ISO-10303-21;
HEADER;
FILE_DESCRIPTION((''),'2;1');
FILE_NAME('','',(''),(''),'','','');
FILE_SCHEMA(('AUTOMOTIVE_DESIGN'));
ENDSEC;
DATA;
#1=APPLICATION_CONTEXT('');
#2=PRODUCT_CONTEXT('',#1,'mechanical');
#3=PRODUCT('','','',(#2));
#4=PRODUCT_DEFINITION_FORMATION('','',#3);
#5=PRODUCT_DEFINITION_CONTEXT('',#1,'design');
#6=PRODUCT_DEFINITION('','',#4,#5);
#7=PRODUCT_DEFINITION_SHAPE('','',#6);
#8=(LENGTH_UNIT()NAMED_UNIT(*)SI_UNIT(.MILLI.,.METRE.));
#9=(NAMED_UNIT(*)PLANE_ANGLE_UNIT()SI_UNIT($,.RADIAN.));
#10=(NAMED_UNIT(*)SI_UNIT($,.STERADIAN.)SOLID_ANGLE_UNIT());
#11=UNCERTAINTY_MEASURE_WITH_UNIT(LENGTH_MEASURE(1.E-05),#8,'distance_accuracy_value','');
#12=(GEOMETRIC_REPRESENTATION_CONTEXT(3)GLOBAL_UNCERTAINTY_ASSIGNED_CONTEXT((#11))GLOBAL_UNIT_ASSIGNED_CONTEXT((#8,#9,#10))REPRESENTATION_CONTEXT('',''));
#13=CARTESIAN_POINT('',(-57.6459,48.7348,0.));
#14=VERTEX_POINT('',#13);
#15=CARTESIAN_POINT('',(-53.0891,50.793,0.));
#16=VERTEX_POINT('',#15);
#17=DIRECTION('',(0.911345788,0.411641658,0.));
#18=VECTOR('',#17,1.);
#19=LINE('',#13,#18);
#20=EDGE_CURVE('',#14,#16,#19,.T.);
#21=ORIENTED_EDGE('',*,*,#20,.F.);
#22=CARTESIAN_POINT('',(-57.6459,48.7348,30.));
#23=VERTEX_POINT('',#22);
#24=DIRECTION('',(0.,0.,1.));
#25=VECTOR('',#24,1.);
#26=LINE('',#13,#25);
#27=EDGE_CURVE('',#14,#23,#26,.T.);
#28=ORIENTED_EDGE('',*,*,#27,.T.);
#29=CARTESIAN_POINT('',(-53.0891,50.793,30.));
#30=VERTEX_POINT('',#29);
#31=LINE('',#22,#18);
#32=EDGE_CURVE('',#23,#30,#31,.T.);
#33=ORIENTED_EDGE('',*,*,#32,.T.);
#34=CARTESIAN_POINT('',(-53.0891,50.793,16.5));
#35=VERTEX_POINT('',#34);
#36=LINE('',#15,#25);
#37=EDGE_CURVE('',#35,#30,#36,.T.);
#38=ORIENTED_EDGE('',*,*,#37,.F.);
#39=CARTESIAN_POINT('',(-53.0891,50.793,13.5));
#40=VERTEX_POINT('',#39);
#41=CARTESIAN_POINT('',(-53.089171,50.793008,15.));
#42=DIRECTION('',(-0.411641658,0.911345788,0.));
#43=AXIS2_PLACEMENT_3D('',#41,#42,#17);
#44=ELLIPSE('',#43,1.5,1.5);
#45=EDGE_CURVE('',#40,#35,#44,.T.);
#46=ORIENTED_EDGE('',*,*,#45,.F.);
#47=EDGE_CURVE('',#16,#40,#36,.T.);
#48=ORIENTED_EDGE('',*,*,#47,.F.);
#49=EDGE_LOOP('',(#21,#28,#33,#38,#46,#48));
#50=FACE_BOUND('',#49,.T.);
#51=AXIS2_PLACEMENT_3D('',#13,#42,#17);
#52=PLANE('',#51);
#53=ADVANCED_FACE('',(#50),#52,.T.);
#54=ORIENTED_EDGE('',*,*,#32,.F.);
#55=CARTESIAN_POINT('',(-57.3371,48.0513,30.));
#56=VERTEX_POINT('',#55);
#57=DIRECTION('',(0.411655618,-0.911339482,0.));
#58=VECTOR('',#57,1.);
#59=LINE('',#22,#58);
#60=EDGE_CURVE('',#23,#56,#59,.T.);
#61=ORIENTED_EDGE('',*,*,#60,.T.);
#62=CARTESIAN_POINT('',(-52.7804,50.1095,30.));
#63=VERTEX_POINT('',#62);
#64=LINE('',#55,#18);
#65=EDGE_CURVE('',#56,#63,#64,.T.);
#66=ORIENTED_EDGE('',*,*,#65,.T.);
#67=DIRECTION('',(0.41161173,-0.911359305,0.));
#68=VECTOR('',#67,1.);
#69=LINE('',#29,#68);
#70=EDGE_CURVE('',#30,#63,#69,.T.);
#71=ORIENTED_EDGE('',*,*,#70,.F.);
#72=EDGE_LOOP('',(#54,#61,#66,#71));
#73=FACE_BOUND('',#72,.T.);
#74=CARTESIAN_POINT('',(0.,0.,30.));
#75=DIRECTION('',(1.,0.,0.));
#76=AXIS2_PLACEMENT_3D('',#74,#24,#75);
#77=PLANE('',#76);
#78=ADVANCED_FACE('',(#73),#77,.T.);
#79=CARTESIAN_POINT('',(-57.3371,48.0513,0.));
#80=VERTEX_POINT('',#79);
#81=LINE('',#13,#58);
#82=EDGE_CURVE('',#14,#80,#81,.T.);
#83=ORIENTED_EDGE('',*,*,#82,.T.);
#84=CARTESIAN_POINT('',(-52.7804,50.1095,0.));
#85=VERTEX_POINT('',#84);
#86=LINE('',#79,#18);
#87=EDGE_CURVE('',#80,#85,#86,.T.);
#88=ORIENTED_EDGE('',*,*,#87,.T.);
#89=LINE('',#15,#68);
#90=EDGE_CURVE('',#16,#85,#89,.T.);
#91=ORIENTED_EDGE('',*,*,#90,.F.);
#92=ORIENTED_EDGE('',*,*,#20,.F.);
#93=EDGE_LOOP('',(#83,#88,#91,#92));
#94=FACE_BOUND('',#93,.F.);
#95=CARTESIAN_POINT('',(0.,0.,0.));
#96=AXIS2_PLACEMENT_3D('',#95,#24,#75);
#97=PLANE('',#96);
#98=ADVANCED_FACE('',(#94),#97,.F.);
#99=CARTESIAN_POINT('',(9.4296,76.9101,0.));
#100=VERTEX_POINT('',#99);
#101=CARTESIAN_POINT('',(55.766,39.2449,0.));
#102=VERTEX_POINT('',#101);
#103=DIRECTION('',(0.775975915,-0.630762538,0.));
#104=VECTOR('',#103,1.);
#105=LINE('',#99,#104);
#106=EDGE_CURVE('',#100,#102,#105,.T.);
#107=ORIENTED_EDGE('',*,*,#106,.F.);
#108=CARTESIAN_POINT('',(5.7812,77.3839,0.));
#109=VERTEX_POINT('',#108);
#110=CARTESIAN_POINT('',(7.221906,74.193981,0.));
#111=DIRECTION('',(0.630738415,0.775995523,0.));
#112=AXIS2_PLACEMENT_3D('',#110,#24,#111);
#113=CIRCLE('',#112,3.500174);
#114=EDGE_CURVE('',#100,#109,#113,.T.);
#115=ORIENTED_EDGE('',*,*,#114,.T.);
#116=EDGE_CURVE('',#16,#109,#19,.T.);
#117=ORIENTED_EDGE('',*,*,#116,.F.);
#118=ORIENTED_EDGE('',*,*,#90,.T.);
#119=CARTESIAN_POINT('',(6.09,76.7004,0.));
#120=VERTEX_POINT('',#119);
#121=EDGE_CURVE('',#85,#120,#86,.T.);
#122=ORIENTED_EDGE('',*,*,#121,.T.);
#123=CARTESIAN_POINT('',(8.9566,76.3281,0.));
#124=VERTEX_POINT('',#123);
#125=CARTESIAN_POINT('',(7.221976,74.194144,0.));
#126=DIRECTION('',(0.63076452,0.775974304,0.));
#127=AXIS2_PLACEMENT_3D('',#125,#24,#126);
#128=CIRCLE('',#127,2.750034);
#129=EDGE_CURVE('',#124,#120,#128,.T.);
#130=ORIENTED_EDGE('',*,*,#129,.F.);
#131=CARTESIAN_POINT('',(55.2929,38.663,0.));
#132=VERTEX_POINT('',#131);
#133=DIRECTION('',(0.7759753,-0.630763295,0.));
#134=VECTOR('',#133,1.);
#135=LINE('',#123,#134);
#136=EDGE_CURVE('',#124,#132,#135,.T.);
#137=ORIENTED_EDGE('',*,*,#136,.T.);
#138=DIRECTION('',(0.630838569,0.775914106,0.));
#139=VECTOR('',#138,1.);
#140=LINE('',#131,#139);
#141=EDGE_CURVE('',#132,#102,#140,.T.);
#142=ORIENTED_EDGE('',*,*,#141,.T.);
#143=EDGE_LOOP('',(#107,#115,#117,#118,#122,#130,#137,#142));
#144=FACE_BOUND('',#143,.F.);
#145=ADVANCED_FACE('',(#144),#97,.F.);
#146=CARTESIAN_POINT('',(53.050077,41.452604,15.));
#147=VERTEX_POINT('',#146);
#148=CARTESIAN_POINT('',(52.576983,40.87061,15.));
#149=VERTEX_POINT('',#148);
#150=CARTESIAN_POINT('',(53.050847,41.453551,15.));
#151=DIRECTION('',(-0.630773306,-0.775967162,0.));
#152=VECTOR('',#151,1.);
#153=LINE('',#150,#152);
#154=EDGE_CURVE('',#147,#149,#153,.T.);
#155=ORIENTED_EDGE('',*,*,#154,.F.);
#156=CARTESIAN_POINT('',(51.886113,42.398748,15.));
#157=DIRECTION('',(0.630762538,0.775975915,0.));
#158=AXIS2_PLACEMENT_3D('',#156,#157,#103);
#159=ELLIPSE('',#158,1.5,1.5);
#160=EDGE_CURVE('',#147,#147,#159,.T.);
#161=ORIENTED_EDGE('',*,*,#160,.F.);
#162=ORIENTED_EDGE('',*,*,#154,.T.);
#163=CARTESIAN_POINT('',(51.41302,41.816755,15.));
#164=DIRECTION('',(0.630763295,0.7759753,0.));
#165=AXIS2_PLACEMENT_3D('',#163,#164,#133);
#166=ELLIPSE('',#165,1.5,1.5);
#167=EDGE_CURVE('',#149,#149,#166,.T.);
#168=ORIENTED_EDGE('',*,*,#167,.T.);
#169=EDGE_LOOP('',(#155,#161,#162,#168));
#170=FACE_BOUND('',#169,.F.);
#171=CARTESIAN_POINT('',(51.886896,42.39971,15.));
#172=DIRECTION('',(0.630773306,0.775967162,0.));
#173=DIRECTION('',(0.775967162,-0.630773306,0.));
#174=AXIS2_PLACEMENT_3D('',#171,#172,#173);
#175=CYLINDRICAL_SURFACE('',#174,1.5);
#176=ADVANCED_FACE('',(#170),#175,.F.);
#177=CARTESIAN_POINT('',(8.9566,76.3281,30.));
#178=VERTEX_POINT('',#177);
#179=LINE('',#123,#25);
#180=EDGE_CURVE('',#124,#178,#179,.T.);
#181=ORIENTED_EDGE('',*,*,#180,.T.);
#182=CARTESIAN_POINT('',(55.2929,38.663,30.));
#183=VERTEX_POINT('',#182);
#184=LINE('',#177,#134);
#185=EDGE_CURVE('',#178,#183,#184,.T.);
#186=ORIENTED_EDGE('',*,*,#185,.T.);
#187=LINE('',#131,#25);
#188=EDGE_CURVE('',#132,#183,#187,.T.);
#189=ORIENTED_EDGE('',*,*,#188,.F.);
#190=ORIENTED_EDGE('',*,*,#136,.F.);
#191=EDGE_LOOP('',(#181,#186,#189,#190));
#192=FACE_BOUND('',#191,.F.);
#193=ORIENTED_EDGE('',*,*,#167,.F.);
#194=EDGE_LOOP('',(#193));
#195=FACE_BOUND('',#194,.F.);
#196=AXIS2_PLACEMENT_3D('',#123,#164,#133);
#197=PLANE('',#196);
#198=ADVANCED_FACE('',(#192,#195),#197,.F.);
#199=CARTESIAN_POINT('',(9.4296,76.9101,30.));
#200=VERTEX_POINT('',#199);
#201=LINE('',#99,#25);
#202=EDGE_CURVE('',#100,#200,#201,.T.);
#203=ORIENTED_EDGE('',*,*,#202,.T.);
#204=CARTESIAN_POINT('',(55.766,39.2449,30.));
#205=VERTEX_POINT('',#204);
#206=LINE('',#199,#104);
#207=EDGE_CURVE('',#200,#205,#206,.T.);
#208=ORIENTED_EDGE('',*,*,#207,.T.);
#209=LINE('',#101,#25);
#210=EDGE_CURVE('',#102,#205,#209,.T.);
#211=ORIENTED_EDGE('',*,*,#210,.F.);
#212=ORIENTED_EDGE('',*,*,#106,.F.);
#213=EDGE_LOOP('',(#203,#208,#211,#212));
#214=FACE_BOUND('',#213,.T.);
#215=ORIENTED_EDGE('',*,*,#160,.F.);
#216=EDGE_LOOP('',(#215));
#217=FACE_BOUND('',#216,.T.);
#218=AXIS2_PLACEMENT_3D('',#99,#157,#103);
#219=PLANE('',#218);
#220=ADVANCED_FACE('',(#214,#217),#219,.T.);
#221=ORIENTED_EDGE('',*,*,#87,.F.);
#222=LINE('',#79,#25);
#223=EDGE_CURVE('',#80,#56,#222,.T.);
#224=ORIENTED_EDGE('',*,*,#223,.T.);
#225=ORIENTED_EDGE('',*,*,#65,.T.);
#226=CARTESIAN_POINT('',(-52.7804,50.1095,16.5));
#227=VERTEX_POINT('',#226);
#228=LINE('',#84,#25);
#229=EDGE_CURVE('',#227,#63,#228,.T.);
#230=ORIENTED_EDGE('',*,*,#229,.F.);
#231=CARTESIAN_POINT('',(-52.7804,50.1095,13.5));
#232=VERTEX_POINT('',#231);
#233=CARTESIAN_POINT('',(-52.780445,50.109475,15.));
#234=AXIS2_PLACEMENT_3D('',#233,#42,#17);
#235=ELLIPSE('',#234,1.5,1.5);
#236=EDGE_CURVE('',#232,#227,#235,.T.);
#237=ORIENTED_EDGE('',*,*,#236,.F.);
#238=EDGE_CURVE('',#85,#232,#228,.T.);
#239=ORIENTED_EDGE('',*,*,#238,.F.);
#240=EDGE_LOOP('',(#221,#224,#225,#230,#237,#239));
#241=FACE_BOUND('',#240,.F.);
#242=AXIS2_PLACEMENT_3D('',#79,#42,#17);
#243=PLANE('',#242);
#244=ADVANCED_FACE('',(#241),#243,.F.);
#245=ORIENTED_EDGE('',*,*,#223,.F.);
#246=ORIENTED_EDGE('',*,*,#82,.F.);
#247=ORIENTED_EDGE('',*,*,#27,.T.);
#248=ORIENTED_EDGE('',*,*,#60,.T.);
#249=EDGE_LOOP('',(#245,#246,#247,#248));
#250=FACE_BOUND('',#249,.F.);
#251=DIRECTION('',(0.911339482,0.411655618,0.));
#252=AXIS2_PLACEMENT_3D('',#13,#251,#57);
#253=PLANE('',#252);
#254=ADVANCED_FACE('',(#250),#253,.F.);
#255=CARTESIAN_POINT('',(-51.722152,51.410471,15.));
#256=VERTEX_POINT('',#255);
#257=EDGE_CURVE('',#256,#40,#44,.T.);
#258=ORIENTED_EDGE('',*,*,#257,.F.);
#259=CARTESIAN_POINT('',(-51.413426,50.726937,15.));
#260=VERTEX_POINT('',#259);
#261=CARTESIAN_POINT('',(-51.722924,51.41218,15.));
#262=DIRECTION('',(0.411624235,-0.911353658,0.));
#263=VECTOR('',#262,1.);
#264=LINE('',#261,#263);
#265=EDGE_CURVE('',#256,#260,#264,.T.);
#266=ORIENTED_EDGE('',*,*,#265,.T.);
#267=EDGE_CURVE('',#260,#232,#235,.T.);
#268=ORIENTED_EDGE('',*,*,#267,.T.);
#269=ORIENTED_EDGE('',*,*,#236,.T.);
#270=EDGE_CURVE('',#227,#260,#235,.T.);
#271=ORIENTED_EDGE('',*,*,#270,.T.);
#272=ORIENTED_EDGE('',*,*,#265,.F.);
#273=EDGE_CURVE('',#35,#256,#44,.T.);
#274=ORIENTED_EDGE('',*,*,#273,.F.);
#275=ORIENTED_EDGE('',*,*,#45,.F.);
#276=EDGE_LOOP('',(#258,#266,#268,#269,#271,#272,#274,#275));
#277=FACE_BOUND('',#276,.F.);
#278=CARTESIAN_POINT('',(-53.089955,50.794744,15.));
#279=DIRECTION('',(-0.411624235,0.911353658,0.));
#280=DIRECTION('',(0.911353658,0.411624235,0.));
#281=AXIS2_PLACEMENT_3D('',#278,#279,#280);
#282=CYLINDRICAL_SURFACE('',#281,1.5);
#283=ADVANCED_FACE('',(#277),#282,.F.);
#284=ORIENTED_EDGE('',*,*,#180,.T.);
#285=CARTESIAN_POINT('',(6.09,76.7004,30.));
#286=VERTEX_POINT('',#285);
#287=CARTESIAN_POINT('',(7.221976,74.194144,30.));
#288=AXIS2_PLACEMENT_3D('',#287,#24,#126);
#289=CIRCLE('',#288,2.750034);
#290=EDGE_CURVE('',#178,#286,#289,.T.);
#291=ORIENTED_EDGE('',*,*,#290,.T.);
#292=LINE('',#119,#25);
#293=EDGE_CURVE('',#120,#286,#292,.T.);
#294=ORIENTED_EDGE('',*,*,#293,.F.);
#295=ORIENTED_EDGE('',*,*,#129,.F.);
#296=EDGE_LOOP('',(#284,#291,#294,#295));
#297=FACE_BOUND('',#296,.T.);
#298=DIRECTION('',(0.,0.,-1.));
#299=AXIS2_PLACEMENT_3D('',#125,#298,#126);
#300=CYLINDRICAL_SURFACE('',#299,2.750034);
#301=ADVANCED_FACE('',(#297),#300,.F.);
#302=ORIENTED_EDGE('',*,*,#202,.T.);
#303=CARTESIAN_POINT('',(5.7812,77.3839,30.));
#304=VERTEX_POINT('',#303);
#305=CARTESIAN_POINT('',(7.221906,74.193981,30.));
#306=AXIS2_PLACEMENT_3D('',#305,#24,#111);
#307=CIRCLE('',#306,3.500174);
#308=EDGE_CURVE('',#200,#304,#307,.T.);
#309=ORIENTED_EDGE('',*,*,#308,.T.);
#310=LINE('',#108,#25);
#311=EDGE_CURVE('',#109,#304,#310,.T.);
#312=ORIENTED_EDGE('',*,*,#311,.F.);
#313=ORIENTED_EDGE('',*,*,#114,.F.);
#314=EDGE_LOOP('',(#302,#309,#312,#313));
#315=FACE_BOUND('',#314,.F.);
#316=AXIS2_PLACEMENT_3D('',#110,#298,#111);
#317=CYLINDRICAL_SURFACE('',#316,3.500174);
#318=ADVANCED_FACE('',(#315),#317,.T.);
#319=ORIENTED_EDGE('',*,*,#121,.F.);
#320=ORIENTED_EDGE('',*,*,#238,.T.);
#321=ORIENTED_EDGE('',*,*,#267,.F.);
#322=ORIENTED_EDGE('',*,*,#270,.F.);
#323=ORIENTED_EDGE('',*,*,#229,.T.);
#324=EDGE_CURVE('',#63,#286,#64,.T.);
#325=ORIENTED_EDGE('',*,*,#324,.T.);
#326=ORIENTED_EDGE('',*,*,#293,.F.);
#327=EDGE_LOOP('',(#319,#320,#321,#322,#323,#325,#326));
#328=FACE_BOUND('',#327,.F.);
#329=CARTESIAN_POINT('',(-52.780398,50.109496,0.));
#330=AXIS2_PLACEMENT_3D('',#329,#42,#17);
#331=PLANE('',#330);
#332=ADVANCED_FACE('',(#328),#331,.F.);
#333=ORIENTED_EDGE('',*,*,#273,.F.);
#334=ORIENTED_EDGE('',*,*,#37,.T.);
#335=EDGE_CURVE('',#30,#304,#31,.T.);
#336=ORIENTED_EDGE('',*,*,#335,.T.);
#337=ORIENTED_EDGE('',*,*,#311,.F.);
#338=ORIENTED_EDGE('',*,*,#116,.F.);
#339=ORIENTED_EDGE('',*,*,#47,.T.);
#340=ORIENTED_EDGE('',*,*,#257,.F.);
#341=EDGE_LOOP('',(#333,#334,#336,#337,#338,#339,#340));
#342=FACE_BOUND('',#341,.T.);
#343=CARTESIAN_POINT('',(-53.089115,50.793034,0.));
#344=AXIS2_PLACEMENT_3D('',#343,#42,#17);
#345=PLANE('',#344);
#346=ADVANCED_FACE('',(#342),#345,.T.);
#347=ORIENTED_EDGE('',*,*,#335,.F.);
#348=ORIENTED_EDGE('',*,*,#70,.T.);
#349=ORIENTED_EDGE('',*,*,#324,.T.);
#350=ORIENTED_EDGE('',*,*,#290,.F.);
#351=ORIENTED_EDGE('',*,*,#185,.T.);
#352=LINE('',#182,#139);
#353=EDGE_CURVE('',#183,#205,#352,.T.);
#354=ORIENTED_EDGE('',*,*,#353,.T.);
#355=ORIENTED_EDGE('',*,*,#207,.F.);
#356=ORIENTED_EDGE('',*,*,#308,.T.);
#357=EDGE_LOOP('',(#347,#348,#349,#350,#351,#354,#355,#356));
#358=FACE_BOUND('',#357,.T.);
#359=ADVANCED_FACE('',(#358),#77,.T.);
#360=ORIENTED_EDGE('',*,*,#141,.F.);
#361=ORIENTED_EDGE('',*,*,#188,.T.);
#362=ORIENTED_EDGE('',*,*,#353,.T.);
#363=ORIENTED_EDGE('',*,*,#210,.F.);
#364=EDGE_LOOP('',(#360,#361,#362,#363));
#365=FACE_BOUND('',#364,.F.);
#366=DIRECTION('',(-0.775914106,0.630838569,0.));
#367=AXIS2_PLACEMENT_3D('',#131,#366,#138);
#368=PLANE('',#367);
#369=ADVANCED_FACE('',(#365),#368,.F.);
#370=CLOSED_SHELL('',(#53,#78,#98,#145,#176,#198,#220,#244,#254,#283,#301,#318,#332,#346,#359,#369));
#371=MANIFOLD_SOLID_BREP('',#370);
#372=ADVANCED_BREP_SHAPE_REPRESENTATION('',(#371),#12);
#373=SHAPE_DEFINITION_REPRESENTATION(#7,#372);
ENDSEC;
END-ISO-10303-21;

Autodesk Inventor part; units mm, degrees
ref_plane "YZ Plane" through (0, 0, 0) normal (1, 0, 0) x (0, 1, 0)
ref_plane "XZ Plane" through (0, 0, 0) normal (0, 1, 0) x (-1, 0, 0)
ref_plane "XY Plane" through (0, 0, 0) normal (0, 0, 1) x (1, 0, 0)
sketch "スケッチ1" plane through (0, 0, 0) normal (0, 0, 1) x (1, 0, 0)
  circle A0 centre (-56.2051, 45.5451) radius 2.75
  arc A1 (8.9566, 76.3281) -> (6.09, 76.7004) centre (7.222, 74.1942) ccw
  circle A2 centre (57.2805, 33.1812) radius 3
  line L0 (-57.3371, 48.0513) -> (6.09, 76.7004)
  line L1 (8.9566, 76.3281) -> (59.1728, 35.5091)
  line L2 (-57.6459, 48.7348) -> (5.7812, 77.3839)
  arc A3 (6.09, 76.7004) -> (8.9566, 76.3281) centre (7.222, 74.1942) ccw
  arc A4 (9.4296, 76.9101) -> (5.7812, 77.3839) centre (7.222, 74.1942) ccw
  line L3 (9.4296, 76.9101) -> (59.6459, 36.0911)
  line L4 (-57.6459, 48.7348) -> (-56.2051, 45.5451)
  line L5 (57.2805, 33.1812) -> (59.6459, 36.0911)
  line L6 (-53.0891, 50.793) -> (-52.7804, 50.1095)
  line L7 (55.2929, 38.663) -> (55.766, 39.2449)
  point P0 (0, 0)
  point P1 (5.7812, 77.3839)
  dimension "d0" = 0.75
  dimension "d1" = 0.75
  dimension "d2" = 0.75
  dimension "d3" = 5
  dimension "d4" = 5
extrude "押し出し1" add sketch "スケッチ1" along normal blind 30 contours L4 L2 L6 L0 | L6 L2 A4 L3 L7 L1 A1 L0
sketch "スケッチ2" plane through (-57.6459, 48.7348, 30) normal (-0.4116, 0.9113, 0) x (0.9113, 0.4116, 0)
  line L0 (69.5972, 30) -> (0, 30) projected
  line L1 (0, 30) -> (0, 0) projected
  line L2 (69.5972, 0) -> (0, 0) projected
  line L3 (69.5972, 30) -> (69.5972, 0) projected
  circle A0 centre (5, 15) radius 1.5
  point P0 (32.474, 30)
  dimension "d7" = 3
  dimension "d8" = 15
  dimension "d9" = 5
extrude "押し出し2" cut sketch "スケッチ2" against normal blind 0.75 contours A0
sketch "スケッチ3" plane through (9.4296, 76.9101, 30) normal (0.6308, 0.776, 0) x (0.776, -0.6308, 0)
  line L0 (59.7137, 30) -> (0, 30) projected
  line L1 (0, 30) -> (0, 0) projected
  line L2 (59.7137, 0) -> (0, 0) projected
  line L3 (59.7137, 30) -> (59.7137, 0) projected
  circle A0 centre (54.7137, 15) radius 1.5
  point P0 (41.1949, 30)
  dimension "d12" = 3
  dimension "d13" = 15
  dimension "d14" = 5
extrude "押し出し3" cut sketch "スケッチ3" against normal blind 0.75 contours A0
properties part number "クランクガード" material "ポリプロピレン"
